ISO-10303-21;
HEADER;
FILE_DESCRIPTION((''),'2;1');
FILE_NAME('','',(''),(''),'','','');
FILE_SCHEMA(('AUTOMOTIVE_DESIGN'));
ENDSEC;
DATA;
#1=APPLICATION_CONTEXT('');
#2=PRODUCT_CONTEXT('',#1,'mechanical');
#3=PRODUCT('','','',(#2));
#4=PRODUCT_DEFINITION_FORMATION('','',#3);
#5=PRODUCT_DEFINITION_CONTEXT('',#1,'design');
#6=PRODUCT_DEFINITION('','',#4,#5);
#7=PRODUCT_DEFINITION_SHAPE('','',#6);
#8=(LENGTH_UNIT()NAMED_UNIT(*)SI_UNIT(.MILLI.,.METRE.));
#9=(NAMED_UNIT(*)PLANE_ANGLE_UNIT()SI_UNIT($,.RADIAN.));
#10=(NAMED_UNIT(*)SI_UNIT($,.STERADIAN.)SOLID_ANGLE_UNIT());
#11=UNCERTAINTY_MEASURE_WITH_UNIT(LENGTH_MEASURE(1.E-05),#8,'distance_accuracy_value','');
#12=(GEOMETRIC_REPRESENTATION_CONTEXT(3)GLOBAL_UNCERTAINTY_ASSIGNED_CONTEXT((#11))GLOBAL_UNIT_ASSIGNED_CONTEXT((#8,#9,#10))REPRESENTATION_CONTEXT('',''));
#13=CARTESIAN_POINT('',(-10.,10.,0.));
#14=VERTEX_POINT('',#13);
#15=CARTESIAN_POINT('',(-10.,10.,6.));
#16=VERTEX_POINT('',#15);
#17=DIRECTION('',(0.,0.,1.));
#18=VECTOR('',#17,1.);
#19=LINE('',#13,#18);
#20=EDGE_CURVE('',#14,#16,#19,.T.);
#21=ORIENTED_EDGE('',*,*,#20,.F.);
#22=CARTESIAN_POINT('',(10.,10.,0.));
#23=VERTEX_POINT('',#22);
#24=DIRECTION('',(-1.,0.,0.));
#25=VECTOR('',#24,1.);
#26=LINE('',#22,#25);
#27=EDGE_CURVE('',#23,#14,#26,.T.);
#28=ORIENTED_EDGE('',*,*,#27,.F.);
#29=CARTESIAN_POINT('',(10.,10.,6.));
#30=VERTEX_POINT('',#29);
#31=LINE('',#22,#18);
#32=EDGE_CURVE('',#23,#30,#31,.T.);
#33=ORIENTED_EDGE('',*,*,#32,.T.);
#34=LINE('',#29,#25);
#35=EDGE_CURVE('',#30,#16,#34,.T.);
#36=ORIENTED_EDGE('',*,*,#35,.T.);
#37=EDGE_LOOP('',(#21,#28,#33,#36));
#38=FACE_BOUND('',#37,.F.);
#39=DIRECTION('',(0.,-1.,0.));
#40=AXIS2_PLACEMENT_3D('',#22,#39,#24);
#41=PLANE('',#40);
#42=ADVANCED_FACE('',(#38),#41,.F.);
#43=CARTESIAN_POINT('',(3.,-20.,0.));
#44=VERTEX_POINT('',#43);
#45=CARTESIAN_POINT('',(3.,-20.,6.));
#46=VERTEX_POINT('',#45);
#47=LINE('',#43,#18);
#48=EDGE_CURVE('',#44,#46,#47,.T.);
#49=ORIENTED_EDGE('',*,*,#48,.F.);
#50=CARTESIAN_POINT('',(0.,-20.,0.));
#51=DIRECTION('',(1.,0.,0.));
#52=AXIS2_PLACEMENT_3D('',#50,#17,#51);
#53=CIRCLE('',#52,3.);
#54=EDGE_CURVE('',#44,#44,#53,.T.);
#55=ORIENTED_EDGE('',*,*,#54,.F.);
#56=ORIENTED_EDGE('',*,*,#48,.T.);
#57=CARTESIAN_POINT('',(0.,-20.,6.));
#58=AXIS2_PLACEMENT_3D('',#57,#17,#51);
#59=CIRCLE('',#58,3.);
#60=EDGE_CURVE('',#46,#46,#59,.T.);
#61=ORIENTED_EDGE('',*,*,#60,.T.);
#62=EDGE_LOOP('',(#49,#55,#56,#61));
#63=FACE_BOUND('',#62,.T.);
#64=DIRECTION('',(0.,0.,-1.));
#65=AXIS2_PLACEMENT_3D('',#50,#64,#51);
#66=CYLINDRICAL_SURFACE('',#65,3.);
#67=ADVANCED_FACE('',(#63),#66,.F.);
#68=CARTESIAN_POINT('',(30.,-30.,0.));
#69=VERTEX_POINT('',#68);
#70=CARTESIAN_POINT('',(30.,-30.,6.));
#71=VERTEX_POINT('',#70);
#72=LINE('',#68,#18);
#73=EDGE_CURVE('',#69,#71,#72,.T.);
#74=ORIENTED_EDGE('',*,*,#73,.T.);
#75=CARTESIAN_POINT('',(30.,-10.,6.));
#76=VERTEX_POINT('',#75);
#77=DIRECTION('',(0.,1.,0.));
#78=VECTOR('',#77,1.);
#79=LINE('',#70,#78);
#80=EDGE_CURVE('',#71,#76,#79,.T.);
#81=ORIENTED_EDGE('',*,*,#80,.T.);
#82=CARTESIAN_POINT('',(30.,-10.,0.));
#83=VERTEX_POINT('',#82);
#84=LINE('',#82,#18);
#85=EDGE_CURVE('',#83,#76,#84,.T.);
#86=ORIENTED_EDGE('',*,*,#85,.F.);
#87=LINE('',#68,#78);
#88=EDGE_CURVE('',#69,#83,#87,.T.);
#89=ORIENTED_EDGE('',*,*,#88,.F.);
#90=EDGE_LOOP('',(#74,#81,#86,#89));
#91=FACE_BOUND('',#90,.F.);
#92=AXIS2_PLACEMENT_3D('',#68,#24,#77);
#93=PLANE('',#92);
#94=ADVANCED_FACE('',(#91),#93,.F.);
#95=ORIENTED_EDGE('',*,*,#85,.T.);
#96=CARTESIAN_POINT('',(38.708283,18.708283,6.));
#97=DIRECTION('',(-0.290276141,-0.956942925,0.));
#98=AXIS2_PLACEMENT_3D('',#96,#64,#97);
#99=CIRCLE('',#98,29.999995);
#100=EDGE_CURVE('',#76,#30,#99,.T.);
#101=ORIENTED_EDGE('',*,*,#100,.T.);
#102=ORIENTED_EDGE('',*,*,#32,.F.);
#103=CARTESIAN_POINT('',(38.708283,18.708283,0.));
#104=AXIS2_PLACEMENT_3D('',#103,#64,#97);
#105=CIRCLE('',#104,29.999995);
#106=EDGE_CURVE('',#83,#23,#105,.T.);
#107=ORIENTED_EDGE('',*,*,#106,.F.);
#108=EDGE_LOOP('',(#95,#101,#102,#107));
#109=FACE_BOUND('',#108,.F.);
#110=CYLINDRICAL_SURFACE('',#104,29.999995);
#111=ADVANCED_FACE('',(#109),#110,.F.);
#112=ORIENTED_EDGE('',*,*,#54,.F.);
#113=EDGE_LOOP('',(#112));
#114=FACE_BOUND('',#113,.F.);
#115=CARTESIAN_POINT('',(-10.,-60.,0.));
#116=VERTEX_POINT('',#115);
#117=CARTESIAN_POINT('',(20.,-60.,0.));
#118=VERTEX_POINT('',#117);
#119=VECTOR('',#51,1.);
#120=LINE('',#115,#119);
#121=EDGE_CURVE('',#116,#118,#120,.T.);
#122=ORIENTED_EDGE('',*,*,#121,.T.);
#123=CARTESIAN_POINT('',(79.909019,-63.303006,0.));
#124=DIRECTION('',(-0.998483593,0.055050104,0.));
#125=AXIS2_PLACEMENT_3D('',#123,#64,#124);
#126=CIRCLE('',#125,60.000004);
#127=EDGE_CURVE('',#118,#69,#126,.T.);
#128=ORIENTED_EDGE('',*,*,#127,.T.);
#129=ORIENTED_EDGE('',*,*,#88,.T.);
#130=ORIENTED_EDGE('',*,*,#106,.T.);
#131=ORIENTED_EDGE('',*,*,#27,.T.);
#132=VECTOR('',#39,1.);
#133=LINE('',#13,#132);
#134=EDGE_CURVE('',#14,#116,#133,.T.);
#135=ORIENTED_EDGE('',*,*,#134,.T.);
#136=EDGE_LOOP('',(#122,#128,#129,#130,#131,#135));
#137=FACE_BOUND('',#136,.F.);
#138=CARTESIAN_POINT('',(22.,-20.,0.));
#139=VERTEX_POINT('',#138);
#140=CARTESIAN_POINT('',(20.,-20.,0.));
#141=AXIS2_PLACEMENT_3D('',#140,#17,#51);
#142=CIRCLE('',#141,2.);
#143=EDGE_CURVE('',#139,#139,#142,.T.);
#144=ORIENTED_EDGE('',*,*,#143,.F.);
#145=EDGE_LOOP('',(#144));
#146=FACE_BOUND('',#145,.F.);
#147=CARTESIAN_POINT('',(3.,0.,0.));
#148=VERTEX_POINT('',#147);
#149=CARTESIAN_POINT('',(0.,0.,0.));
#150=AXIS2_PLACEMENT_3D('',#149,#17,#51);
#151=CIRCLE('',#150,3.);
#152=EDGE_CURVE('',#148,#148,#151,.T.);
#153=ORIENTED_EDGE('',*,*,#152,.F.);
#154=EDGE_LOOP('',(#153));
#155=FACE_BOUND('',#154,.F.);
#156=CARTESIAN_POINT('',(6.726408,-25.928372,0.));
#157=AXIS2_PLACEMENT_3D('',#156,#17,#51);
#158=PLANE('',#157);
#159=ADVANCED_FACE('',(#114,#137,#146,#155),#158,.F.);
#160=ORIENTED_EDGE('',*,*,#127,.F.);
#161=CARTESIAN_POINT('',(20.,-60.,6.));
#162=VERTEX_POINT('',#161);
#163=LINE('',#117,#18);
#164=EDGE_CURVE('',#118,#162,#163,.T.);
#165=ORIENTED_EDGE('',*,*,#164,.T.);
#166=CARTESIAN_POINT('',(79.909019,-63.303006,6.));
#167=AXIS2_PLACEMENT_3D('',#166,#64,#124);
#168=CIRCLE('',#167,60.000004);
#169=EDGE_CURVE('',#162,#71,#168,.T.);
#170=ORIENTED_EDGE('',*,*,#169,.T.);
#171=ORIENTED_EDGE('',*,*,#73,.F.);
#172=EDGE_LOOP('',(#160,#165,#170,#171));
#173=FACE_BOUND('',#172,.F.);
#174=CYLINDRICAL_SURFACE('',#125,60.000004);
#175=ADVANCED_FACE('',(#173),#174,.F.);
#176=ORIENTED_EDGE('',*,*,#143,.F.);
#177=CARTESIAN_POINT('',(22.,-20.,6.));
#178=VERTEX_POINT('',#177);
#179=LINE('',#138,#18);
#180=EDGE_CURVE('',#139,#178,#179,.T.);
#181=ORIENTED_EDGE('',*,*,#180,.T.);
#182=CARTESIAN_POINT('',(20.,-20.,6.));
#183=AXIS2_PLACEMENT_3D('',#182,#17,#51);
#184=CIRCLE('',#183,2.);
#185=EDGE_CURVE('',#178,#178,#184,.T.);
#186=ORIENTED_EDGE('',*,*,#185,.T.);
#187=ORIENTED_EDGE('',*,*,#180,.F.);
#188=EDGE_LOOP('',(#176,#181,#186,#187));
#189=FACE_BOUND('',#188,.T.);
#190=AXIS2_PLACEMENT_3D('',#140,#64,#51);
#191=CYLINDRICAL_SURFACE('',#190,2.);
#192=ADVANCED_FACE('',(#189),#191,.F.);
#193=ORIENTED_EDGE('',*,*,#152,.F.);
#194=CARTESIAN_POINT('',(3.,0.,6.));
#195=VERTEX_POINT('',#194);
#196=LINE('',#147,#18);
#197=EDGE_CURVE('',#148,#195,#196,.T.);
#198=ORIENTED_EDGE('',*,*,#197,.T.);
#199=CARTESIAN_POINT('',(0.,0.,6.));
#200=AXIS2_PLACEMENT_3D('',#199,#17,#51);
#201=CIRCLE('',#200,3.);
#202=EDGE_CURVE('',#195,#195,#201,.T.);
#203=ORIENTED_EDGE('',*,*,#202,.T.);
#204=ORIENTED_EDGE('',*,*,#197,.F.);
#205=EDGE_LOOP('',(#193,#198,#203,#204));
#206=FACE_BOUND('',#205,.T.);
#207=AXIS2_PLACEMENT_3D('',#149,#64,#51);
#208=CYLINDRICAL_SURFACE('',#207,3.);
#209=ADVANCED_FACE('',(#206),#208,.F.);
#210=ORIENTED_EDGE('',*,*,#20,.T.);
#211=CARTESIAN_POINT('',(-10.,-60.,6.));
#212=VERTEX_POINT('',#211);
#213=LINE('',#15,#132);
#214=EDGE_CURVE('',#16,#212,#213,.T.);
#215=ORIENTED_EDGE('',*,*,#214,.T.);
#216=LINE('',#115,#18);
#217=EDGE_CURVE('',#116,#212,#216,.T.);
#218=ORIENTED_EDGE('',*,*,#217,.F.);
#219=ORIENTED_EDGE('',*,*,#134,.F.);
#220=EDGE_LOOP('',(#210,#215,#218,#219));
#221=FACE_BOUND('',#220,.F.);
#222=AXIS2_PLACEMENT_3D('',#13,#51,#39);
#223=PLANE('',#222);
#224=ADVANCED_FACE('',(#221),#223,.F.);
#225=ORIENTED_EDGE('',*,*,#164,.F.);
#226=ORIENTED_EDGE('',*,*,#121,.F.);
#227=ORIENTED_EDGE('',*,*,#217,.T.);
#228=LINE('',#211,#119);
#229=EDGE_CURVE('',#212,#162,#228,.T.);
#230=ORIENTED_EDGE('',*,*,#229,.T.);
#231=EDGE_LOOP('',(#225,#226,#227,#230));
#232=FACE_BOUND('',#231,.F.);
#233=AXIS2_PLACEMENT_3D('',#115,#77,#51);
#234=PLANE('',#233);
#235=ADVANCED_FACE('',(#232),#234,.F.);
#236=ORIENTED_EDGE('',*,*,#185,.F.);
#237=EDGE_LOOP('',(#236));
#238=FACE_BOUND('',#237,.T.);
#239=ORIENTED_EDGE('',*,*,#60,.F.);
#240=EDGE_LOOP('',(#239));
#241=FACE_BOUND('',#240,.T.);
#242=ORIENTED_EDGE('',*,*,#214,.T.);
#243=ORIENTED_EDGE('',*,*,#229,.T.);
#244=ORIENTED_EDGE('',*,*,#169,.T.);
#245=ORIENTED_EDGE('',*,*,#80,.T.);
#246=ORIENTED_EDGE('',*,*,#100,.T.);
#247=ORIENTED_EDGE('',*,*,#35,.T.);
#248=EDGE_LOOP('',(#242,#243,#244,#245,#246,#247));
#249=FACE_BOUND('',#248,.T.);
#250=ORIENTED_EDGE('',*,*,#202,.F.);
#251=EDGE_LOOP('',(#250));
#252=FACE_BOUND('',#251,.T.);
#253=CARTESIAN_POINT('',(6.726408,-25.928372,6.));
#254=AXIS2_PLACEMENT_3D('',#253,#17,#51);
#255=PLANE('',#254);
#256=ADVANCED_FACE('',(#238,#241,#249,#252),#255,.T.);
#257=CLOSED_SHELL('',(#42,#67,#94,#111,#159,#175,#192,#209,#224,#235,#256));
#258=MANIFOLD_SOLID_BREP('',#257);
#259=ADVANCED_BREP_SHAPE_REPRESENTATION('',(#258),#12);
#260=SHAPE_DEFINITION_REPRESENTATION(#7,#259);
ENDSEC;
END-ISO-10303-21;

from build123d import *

# Parameters (mm, degrees)
F0_R     = 3
F0_R_2   = 2
F1_DEPTH = 6


with BuildPart() as f1:
    # F0 (on Top) → F1 (new body)
    with BuildSketch(Plane.XY):
        with BuildLine():
            ThreePointArc((30, -10), (17.495083, -2.504917), (10, 10))
            Line((10, 10), (-10, 10))
            Line((-10, 10), (-10, -60))
            Line((-10, -60), (20, -60))
            ThreePointArc((20, -60), (22.988018, -44.329339), (30, -30))
            Line((30, -30), (30, -10))
        make_face()
        with Locations((0, -20)):
            Circle(F0_R, mode=Mode.SUBTRACT)
        Circle(F0_R, mode=Mode.SUBTRACT)
        with Locations((20, -20)):
            Circle(F0_R_2, mode=Mode.SUBTRACT)
    extrude(amount=F1_DEPTH)


solid = f1.part
